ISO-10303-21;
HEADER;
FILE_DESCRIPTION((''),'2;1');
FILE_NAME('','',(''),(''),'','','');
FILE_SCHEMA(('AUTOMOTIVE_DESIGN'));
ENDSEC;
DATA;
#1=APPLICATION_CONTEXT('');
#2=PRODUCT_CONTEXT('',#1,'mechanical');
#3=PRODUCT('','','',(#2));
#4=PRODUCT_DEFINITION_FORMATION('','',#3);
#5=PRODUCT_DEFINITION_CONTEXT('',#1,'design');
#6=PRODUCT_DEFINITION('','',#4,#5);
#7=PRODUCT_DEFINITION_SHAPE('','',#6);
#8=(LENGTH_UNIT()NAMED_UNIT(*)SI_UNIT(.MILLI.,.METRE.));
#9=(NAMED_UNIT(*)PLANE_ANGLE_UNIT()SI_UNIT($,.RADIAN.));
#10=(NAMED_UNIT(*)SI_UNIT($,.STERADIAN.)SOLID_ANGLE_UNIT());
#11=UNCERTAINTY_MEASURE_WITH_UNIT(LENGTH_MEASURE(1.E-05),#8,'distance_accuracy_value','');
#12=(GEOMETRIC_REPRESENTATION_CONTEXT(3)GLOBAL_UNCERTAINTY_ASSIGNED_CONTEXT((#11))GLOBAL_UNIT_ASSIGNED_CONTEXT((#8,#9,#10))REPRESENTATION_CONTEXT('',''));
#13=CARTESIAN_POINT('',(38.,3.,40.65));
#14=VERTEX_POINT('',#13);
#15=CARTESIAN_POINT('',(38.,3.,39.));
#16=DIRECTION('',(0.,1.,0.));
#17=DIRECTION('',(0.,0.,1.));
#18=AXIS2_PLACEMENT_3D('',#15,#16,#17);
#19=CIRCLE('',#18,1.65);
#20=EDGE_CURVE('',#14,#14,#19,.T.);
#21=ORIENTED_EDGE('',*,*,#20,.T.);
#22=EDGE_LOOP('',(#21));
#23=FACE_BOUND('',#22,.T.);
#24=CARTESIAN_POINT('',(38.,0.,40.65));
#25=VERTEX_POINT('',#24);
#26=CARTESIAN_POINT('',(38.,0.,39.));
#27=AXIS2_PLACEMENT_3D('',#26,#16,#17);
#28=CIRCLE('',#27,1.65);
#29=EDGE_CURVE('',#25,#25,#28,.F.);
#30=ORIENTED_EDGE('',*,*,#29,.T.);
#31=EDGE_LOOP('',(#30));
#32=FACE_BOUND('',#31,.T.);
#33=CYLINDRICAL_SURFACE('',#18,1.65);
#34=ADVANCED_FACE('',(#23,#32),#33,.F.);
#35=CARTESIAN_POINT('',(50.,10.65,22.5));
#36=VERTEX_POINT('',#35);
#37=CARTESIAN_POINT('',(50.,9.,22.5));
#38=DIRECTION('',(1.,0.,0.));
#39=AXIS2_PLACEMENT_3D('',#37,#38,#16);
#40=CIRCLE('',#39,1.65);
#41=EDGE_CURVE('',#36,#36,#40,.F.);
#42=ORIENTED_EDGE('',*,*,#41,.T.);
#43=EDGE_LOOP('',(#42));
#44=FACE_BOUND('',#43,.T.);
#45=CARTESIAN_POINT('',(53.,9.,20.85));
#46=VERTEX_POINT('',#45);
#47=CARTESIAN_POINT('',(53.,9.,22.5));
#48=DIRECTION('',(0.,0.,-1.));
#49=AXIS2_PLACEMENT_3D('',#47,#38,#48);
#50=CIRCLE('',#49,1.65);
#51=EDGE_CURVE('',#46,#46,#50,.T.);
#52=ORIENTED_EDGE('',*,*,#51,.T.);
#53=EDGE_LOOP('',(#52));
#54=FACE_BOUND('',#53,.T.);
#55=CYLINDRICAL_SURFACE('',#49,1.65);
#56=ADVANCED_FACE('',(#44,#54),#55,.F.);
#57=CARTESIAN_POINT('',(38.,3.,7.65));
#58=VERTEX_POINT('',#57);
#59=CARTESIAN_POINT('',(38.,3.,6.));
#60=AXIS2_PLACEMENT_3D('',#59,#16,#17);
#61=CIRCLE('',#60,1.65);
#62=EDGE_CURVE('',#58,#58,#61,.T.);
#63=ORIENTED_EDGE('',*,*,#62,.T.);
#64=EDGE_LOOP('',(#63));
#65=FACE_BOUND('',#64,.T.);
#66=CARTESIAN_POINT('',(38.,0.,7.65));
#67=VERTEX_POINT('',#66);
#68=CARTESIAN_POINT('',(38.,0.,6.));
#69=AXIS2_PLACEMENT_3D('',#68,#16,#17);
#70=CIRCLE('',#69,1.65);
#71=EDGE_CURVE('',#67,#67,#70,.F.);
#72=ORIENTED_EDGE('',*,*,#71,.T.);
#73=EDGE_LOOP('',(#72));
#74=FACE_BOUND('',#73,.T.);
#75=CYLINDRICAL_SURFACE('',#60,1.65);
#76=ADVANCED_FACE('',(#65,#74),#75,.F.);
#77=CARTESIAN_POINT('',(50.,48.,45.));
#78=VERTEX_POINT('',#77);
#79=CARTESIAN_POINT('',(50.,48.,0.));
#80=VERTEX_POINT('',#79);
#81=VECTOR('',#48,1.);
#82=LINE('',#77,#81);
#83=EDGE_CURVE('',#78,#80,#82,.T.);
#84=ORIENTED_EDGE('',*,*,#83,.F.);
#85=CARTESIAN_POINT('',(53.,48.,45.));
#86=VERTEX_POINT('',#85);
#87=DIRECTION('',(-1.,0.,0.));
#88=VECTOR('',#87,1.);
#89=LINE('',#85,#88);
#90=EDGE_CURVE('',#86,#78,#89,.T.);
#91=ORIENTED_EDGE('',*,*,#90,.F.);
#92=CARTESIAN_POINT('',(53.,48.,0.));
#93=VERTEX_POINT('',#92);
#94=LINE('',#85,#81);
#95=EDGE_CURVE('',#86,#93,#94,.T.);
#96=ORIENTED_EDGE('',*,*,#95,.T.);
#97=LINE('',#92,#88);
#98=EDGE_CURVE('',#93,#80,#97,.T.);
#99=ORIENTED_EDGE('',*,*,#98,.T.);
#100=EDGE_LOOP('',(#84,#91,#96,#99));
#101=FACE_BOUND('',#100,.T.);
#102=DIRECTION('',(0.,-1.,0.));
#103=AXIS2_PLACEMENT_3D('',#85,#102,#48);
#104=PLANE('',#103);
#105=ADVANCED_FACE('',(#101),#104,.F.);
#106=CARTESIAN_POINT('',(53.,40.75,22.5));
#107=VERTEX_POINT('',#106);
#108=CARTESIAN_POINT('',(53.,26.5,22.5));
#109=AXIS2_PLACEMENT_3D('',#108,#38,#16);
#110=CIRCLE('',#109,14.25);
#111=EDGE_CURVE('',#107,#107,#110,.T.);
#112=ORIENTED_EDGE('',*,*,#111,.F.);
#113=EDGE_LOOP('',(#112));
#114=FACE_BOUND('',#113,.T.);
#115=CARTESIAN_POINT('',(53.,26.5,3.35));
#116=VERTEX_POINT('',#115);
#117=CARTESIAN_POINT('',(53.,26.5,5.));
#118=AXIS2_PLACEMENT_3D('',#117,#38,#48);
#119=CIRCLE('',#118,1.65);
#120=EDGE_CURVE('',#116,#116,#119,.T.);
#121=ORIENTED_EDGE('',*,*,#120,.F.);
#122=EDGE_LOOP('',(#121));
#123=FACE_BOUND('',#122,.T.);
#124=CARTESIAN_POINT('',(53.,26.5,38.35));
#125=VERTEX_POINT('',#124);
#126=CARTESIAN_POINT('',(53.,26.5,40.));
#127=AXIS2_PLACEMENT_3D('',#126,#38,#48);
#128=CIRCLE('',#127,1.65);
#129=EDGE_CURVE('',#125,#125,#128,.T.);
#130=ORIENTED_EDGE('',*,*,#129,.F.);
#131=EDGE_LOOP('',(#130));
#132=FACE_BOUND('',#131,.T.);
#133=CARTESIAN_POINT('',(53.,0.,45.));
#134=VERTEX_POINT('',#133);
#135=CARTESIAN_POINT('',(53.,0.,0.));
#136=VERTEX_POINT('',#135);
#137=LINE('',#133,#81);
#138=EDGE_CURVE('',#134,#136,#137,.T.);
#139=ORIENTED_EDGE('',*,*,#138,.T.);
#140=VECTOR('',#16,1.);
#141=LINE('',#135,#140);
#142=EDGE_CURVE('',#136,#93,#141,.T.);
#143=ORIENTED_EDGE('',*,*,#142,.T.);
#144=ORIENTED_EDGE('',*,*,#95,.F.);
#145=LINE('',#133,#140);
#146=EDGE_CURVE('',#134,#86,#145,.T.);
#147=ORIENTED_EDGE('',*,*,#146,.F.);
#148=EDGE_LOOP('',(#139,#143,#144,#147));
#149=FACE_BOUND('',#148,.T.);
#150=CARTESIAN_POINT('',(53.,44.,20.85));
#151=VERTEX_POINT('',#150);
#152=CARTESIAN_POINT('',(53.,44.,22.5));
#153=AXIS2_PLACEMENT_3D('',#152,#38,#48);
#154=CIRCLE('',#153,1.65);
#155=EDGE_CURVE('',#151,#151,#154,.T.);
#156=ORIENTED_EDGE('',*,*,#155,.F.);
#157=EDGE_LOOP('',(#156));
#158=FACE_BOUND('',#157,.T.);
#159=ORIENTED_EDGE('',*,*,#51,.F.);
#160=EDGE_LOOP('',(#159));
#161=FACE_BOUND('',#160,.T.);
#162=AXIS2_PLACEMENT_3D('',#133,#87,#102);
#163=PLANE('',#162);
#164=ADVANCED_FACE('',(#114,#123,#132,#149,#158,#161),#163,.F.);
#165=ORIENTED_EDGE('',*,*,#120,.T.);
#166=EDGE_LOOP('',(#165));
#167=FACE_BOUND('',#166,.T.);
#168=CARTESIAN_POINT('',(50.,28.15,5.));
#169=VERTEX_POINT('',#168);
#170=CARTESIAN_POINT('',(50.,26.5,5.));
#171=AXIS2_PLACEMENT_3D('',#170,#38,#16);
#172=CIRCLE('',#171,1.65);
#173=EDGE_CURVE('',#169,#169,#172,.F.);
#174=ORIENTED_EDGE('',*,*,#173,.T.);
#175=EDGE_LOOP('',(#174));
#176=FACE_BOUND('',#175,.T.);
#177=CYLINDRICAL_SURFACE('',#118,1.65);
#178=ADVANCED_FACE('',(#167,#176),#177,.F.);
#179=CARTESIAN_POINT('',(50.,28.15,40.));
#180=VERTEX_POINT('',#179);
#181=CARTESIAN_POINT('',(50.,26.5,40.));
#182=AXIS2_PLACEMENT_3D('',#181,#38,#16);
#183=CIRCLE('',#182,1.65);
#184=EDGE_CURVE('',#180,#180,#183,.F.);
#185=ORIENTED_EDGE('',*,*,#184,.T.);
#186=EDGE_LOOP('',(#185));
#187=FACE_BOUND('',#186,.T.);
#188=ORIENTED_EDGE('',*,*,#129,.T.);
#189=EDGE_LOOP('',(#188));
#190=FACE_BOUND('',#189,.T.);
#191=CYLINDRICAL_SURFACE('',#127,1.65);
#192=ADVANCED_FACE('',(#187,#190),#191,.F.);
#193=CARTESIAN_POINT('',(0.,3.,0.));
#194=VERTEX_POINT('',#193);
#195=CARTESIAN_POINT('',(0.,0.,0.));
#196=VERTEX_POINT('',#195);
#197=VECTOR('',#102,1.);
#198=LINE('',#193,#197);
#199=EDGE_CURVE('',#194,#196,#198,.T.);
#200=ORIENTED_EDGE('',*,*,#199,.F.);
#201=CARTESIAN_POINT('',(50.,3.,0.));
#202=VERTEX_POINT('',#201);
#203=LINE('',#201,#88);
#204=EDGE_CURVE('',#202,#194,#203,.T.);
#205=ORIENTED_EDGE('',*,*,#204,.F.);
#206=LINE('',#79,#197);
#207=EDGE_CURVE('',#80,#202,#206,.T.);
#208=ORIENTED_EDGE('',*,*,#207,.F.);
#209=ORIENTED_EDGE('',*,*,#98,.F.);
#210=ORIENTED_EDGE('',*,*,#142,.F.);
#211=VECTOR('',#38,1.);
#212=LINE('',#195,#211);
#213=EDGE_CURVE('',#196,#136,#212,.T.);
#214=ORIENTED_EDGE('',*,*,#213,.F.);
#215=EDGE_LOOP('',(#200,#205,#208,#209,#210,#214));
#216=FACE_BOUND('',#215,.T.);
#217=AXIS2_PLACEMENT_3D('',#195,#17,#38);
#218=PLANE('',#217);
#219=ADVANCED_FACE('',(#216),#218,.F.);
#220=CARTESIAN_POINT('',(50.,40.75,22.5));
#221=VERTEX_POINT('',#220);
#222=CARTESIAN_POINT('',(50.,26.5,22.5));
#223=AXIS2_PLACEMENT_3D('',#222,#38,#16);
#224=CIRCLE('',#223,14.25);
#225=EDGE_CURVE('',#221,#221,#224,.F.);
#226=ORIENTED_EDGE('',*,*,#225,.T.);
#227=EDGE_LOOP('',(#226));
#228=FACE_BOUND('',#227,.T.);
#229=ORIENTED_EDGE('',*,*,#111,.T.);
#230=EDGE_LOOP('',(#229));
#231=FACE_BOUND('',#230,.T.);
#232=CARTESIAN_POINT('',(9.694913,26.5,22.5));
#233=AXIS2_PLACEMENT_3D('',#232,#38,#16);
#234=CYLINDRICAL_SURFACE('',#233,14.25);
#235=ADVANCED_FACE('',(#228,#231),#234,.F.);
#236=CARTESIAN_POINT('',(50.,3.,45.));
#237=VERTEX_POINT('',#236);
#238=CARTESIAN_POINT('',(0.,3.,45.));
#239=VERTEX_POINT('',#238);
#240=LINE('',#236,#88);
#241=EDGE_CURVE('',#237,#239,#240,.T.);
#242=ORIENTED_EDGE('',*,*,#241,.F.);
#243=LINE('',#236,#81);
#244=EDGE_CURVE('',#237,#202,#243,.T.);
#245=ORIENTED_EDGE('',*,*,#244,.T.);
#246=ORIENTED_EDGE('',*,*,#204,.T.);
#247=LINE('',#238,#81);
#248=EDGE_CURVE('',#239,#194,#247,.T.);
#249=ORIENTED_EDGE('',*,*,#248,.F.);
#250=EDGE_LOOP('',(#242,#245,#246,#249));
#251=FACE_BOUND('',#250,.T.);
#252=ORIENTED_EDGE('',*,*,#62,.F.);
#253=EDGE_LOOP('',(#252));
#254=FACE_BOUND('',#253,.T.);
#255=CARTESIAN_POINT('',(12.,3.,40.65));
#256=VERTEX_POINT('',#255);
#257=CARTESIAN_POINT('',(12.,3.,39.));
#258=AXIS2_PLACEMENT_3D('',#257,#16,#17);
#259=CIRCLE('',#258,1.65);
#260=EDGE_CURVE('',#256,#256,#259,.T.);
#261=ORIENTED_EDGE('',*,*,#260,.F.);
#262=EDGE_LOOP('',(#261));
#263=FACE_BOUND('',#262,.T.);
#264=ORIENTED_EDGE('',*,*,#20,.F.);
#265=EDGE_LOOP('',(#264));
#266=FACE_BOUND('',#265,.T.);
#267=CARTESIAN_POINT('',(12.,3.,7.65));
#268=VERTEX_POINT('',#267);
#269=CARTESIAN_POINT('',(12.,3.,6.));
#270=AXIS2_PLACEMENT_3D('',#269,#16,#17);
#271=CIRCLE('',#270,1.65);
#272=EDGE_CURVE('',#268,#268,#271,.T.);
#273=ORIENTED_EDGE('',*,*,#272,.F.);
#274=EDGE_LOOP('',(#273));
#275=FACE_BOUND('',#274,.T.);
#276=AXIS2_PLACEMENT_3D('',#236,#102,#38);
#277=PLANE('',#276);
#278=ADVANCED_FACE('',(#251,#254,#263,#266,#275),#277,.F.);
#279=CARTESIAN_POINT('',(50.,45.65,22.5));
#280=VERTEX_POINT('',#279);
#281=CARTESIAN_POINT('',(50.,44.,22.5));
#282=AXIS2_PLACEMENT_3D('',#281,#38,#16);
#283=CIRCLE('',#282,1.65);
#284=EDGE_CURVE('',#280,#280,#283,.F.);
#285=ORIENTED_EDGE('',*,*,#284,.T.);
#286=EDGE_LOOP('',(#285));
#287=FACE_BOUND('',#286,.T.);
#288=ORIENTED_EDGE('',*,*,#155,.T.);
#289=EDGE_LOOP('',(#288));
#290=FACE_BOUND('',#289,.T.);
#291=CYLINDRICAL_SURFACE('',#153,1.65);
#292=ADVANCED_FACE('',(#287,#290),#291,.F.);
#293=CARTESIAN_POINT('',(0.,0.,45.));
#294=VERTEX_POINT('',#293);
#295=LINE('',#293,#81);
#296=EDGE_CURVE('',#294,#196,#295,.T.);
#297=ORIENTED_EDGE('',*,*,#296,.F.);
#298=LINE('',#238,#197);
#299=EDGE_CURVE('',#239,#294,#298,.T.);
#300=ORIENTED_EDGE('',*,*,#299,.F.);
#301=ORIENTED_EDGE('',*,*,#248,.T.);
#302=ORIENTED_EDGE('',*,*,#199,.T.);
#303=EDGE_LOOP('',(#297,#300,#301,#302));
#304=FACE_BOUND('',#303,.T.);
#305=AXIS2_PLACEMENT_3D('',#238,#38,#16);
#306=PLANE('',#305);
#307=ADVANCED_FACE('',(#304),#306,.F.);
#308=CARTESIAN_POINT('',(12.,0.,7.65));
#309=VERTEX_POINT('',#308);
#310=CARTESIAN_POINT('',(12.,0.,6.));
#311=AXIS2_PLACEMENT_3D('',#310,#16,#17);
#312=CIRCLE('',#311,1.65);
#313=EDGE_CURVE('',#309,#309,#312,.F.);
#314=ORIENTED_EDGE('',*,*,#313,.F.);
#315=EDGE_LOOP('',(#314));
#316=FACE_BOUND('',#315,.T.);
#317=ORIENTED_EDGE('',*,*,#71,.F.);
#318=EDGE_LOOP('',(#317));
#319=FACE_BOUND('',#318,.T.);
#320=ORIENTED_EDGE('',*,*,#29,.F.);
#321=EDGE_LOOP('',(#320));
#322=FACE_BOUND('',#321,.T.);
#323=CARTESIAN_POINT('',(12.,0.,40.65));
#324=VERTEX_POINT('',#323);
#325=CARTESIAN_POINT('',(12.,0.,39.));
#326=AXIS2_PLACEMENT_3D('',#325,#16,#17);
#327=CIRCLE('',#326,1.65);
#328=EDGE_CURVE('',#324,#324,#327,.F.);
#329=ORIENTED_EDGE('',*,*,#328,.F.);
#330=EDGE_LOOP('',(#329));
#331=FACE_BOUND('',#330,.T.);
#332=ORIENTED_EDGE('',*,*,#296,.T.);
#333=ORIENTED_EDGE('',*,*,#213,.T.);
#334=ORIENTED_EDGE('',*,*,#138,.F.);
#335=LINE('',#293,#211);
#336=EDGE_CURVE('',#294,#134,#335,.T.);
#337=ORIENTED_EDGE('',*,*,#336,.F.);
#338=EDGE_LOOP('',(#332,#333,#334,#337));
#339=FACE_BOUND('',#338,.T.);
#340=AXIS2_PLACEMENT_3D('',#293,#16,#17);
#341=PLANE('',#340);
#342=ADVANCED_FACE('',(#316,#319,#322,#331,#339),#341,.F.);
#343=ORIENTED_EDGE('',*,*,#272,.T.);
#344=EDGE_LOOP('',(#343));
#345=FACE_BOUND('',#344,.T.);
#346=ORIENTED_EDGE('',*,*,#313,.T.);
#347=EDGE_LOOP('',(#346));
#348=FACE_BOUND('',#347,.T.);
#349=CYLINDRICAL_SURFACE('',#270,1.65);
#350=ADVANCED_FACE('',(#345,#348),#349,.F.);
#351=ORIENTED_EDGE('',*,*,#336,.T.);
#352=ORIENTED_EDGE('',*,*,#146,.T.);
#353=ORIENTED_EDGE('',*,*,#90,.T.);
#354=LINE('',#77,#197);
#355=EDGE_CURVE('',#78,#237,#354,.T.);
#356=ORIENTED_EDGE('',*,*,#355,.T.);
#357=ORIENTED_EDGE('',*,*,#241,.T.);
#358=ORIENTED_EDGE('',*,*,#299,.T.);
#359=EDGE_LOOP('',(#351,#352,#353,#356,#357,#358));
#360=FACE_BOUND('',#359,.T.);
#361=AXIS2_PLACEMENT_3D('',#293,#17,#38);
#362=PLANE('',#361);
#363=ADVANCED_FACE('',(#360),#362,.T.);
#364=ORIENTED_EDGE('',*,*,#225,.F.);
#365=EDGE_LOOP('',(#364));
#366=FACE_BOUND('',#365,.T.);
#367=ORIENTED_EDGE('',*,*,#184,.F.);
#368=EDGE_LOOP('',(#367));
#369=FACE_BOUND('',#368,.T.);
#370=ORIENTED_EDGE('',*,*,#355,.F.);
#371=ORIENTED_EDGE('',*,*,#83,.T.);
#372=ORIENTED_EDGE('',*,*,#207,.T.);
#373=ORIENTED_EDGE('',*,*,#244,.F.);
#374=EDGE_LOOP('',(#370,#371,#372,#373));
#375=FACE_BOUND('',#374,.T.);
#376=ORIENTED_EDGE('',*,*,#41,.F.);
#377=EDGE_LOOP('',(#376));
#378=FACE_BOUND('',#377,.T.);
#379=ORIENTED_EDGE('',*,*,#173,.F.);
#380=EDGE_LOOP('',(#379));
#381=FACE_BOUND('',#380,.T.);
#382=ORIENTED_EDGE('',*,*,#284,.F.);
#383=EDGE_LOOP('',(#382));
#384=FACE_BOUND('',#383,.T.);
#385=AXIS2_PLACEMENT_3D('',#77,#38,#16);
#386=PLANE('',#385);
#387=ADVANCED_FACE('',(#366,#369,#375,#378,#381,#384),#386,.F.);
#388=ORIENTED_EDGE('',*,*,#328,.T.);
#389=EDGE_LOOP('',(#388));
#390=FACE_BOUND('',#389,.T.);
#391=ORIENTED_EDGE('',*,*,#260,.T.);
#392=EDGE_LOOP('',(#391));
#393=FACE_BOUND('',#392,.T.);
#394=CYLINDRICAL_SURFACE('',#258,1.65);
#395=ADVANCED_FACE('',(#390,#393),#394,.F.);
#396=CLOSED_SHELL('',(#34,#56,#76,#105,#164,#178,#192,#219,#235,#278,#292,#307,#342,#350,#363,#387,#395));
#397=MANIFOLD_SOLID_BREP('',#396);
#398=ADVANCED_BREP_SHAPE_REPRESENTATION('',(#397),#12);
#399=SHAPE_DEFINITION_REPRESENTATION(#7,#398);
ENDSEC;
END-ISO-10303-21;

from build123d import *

# Parameters (mm, degrees)
BOSS_EXTRUDE1_DEPTH = 45
M4_TAPPED_HOLE12_D  = 3.3
M4_TAPPED_HOLE13_D  = 3.3
SKETCH23_R          = 14.25
CUT_EXTRUDE5_DEPTH  = 3


with BuildPart() as part:
    # Sketch1 → Boss-Extrude1 (new body)
    with BuildSketch(Plane.XY):
        Polygon((0, 0), (53, 0), (53, 48), (50, 48), (50, 3), (0, 3), align=None)
    extrude(amount=BOSS_EXTRUDE1_DEPTH)

    # M4 Tapped Hole12 (through all)
    with Locations(Plane(origin=(0, 3, 0), x_dir=(1, 0, 0), z_dir=(0, 1, 0))):
        with Locations((38, -39), (12, -39), (12, -6), (38, -6)):
            Hole(M4_TAPPED_HOLE12_D / 2)

    # M4 Tapped Hole13 (through all)
    with Locations(Plane(origin=(53, 0, 0), x_dir=(0, 0, -1), z_dir=(1, 0, 0))):
        with Locations((-22.5, 44), (-5, 26.5), (-22.5, 9), (-40, 26.5)):
            Hole(M4_TAPPED_HOLE13_D / 2)

    # Sketch23 → Cut-Extrude5 (cut)
    with BuildSketch(Plane(origin=(53, 0, 0), x_dir=(0, 0, -1), z_dir=(1, 0, 0))):
        with Locations(Location((-22.5, 26.5, 0), (0, 0, 90))):
            Circle(SKETCH23_R)
    extrude(amount=-CUT_EXTRUDE5_DEPTH, mode=Mode.SUBTRACT)


solid = part.part
